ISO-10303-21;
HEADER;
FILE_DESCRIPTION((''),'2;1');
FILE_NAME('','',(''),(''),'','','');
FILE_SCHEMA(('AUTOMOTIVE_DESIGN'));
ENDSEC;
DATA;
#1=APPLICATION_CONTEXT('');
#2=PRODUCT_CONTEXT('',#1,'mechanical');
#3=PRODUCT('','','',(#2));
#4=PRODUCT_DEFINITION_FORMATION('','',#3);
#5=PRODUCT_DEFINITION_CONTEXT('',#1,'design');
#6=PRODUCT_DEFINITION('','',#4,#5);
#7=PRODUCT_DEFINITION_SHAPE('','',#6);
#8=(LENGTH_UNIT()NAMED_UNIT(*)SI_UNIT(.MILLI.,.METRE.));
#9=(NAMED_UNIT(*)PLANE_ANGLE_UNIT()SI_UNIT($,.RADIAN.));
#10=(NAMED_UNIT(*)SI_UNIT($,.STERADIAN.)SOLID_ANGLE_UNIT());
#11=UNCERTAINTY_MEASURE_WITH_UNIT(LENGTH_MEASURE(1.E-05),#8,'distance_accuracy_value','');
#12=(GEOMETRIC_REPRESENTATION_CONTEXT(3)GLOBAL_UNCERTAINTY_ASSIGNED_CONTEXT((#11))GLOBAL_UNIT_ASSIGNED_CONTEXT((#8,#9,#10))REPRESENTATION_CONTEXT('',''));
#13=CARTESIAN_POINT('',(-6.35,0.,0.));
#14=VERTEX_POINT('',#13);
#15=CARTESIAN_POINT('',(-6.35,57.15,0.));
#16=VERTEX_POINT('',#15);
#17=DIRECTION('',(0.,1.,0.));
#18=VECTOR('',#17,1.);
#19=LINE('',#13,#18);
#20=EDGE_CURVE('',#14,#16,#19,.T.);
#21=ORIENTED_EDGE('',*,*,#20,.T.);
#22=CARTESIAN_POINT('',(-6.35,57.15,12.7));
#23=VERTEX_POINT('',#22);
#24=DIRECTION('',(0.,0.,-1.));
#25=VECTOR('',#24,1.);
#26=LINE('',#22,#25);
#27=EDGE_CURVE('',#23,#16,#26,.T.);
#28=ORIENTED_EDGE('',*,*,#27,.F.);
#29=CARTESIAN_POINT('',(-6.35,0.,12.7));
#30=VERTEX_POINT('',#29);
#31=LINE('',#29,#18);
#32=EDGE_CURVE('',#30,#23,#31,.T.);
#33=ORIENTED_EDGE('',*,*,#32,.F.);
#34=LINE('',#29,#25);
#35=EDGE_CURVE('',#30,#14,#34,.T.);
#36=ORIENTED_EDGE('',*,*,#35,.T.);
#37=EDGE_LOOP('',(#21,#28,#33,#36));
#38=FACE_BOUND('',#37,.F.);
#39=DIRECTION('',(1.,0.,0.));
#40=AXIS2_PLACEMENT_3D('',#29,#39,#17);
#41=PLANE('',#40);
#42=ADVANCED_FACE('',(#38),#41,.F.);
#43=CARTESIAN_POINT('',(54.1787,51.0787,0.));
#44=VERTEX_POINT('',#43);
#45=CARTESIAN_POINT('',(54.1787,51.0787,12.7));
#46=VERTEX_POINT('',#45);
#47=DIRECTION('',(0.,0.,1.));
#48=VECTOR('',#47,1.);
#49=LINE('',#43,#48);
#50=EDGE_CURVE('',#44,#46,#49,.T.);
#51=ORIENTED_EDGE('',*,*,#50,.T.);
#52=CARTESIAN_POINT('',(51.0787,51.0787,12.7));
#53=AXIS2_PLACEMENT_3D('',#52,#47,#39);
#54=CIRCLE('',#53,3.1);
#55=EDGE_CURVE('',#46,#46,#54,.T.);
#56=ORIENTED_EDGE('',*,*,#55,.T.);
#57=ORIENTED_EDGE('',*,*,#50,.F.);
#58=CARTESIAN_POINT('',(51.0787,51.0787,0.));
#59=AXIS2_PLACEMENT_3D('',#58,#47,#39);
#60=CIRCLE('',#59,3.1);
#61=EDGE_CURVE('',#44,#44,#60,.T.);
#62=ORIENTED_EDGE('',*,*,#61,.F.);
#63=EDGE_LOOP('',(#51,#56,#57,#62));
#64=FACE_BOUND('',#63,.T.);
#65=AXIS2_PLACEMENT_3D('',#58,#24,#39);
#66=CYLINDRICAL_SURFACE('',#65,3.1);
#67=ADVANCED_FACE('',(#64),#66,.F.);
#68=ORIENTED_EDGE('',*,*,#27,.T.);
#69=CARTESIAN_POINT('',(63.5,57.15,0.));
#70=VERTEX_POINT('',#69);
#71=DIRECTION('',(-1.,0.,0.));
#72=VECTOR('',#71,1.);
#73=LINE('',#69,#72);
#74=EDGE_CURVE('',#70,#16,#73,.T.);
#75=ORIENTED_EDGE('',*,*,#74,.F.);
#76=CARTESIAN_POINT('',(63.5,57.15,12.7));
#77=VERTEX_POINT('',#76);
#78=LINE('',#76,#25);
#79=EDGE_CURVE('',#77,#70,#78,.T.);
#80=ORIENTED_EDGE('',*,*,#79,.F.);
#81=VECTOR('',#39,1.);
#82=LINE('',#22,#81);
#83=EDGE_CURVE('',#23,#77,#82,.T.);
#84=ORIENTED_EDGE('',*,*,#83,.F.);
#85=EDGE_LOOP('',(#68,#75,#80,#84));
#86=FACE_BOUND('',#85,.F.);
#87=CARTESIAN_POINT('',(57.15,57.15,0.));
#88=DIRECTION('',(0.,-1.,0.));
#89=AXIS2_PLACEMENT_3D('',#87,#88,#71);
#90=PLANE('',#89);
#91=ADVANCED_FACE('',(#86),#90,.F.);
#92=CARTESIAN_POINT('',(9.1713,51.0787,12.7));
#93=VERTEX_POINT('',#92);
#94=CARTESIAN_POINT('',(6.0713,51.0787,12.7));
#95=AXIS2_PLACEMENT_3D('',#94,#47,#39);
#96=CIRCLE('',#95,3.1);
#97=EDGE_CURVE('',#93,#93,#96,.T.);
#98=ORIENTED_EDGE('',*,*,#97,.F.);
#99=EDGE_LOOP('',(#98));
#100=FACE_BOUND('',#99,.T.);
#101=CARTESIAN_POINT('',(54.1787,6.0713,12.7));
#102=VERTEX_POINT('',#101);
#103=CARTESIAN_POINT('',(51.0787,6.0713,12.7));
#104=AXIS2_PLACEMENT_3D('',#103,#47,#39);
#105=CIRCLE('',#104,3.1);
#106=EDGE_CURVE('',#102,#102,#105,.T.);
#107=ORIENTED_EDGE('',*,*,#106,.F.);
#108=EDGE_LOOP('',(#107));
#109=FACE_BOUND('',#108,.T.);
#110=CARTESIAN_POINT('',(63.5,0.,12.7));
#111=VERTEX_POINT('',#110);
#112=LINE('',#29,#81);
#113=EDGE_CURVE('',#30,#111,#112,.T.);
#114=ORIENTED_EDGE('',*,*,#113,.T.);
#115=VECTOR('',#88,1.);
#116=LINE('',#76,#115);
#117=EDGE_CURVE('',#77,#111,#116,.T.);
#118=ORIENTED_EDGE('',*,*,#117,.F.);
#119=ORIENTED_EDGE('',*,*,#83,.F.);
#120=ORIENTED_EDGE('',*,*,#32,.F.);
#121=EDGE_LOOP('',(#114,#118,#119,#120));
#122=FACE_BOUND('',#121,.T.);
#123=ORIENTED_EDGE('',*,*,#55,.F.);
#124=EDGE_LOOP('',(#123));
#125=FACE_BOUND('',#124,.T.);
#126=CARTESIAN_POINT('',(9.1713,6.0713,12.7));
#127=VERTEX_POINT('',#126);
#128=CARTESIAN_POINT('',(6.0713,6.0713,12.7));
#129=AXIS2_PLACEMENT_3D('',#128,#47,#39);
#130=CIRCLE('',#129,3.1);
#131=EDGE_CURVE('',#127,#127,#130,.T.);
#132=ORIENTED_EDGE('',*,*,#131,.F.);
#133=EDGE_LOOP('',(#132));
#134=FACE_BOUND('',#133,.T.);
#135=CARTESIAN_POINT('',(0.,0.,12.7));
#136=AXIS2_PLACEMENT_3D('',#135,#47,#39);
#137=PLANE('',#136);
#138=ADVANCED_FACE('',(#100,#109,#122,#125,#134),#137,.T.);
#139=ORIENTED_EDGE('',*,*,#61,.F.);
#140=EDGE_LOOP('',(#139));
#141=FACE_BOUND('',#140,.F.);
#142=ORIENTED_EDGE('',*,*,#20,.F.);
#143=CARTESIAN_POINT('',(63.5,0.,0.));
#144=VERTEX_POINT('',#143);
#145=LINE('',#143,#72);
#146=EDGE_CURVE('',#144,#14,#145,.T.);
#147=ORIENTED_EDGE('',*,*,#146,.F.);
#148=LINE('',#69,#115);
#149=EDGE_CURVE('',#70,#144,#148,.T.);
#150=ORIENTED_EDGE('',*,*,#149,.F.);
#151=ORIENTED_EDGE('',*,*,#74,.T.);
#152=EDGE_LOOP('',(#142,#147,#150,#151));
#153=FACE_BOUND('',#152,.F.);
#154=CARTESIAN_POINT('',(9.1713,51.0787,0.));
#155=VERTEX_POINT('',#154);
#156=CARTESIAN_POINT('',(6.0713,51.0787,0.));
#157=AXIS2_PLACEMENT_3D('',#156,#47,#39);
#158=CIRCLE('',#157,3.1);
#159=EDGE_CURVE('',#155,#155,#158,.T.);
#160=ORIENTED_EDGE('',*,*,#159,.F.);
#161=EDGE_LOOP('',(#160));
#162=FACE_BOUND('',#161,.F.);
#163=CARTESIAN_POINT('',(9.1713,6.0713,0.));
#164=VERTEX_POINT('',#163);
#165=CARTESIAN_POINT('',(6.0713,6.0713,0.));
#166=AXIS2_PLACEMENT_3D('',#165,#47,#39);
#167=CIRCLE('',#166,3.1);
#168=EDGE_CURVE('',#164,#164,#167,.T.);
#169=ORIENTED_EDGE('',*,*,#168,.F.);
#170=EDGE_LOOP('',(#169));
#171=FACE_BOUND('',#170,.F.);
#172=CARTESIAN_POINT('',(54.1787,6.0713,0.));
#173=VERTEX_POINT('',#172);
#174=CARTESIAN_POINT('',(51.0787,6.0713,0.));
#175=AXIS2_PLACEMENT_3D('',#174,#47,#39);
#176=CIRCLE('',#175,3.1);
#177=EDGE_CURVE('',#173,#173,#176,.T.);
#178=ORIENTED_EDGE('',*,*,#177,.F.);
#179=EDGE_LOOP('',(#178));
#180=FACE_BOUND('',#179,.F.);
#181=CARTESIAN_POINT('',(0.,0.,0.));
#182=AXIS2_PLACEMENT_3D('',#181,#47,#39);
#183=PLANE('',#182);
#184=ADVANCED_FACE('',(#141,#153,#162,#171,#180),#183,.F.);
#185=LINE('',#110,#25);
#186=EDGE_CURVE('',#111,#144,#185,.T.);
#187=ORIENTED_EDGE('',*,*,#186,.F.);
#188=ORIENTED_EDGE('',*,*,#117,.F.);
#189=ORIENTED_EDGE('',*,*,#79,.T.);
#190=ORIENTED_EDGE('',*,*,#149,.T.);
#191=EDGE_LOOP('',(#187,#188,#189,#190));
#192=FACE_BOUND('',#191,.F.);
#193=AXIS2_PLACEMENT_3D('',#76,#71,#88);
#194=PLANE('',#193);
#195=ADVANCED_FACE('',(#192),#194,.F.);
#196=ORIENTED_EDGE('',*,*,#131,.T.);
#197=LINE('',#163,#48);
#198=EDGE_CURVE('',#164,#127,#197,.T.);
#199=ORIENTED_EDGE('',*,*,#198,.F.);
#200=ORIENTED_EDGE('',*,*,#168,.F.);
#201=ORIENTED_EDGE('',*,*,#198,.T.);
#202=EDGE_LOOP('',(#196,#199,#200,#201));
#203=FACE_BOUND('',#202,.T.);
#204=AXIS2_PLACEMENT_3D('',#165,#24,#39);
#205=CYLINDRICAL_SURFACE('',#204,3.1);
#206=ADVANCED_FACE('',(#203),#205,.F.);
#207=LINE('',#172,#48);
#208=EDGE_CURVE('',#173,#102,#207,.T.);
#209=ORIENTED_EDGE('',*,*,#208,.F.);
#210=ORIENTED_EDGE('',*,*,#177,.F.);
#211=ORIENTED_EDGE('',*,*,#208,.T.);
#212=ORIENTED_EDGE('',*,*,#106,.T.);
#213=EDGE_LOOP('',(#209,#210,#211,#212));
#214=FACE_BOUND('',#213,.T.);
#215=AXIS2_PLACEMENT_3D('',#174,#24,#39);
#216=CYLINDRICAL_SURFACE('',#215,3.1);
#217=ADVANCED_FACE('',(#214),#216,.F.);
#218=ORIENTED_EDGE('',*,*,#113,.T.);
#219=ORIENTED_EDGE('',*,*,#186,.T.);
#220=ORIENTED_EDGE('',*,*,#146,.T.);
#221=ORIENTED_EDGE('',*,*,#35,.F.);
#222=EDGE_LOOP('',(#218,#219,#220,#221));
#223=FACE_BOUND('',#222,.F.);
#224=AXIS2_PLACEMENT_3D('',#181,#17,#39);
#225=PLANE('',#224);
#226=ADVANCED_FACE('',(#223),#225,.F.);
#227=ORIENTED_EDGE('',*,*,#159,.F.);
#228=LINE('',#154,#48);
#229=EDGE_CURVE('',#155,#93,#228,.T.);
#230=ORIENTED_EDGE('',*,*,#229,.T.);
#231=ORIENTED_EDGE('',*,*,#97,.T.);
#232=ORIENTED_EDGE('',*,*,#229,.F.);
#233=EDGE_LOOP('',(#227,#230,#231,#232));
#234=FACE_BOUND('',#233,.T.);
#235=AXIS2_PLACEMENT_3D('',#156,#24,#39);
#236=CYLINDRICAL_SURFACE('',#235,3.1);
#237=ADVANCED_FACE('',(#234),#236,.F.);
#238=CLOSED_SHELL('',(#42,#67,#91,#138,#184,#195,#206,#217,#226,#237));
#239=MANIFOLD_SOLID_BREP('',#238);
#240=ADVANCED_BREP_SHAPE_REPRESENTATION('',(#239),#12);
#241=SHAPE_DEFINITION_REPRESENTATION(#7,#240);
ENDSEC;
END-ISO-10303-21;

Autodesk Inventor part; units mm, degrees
ref_plane "YZ Plane" through (0, 0, 0) normal (1, 0, 0) x (0, 1, 0)
ref_plane "XZ Plane" through (0, 0, 0) normal (0, 1, 0) x (-1, 0, 0)
ref_plane "XY Plane" through (0, 0, 0) normal (0, 0, 1) x (1, 0, 0)
sketch "Sketch1" plane through (0, 0, 0) normal (0, 0, 1) x (1, 0, 0)
  line L0 (0, 0) -> (57.15, 0)
  line L1 (57.15, 0) -> (57.15, 57.15)
  line L2 (57.15, 57.15) -> (0, 57.15)
  line L3 (0, 57.15) -> (0, 0)
  line L4 (0, 57.15) -> (57.15, 0) construction
  circle A0 centre (28.575, 28.575) radius 31.825 construction
  line L5 (0, 0) -> (57.15, 57.15) construction
  circle A1 centre (6.0713, 51.0787) radius 3.1
  circle A2 centre (6.0713, 6.0713) radius 3.1
  circle A3 centre (51.0787, 6.0713) radius 3.1
  circle A4 centre (51.0787, 51.0787) radius 3.1
  dimension "d2" = 63.65
  dimension "d0" = 57.15
  dimension "d1" = 57.15
  dimension "d3" = 6.2
  dimension "d6" = 360
extrude "Extrusion1" add sketch "Sketch1" along normal blind 12.7
sketch "Sketch2" plane through (0, 0, 12.7) normal (0, 0, 1) x (1, 0, 0)
  line L0 (0, 0) -> (-6.35, 0)
  line L1 (-6.35, 0) -> (-6.35, 57.15)
  line L2 (-6.35, 57.15) -> (0, 57.15)
  line L3 (0, 57.15) -> (0, 0)
  line L4 (57.15, 0) -> (57.15, 57.15) projected
  line L5 (57.15, 57.15) -> (63.5, 57.15)
  line L6 (63.5, 57.15) -> (63.5, 0)
  line L7 (63.5, 0) -> (57.15, 0)
  line L8 (57.15, 0) -> (57.15, 57.15)
  dimension "d10" = 6.35
  dimension "d11" = 6.35
extrude "Extrusion2" add sketch "Sketch2" against normal up to surface (12.7 mm away)
properties part number "polycarb_back" material "Polycarbonate, Smoke"
